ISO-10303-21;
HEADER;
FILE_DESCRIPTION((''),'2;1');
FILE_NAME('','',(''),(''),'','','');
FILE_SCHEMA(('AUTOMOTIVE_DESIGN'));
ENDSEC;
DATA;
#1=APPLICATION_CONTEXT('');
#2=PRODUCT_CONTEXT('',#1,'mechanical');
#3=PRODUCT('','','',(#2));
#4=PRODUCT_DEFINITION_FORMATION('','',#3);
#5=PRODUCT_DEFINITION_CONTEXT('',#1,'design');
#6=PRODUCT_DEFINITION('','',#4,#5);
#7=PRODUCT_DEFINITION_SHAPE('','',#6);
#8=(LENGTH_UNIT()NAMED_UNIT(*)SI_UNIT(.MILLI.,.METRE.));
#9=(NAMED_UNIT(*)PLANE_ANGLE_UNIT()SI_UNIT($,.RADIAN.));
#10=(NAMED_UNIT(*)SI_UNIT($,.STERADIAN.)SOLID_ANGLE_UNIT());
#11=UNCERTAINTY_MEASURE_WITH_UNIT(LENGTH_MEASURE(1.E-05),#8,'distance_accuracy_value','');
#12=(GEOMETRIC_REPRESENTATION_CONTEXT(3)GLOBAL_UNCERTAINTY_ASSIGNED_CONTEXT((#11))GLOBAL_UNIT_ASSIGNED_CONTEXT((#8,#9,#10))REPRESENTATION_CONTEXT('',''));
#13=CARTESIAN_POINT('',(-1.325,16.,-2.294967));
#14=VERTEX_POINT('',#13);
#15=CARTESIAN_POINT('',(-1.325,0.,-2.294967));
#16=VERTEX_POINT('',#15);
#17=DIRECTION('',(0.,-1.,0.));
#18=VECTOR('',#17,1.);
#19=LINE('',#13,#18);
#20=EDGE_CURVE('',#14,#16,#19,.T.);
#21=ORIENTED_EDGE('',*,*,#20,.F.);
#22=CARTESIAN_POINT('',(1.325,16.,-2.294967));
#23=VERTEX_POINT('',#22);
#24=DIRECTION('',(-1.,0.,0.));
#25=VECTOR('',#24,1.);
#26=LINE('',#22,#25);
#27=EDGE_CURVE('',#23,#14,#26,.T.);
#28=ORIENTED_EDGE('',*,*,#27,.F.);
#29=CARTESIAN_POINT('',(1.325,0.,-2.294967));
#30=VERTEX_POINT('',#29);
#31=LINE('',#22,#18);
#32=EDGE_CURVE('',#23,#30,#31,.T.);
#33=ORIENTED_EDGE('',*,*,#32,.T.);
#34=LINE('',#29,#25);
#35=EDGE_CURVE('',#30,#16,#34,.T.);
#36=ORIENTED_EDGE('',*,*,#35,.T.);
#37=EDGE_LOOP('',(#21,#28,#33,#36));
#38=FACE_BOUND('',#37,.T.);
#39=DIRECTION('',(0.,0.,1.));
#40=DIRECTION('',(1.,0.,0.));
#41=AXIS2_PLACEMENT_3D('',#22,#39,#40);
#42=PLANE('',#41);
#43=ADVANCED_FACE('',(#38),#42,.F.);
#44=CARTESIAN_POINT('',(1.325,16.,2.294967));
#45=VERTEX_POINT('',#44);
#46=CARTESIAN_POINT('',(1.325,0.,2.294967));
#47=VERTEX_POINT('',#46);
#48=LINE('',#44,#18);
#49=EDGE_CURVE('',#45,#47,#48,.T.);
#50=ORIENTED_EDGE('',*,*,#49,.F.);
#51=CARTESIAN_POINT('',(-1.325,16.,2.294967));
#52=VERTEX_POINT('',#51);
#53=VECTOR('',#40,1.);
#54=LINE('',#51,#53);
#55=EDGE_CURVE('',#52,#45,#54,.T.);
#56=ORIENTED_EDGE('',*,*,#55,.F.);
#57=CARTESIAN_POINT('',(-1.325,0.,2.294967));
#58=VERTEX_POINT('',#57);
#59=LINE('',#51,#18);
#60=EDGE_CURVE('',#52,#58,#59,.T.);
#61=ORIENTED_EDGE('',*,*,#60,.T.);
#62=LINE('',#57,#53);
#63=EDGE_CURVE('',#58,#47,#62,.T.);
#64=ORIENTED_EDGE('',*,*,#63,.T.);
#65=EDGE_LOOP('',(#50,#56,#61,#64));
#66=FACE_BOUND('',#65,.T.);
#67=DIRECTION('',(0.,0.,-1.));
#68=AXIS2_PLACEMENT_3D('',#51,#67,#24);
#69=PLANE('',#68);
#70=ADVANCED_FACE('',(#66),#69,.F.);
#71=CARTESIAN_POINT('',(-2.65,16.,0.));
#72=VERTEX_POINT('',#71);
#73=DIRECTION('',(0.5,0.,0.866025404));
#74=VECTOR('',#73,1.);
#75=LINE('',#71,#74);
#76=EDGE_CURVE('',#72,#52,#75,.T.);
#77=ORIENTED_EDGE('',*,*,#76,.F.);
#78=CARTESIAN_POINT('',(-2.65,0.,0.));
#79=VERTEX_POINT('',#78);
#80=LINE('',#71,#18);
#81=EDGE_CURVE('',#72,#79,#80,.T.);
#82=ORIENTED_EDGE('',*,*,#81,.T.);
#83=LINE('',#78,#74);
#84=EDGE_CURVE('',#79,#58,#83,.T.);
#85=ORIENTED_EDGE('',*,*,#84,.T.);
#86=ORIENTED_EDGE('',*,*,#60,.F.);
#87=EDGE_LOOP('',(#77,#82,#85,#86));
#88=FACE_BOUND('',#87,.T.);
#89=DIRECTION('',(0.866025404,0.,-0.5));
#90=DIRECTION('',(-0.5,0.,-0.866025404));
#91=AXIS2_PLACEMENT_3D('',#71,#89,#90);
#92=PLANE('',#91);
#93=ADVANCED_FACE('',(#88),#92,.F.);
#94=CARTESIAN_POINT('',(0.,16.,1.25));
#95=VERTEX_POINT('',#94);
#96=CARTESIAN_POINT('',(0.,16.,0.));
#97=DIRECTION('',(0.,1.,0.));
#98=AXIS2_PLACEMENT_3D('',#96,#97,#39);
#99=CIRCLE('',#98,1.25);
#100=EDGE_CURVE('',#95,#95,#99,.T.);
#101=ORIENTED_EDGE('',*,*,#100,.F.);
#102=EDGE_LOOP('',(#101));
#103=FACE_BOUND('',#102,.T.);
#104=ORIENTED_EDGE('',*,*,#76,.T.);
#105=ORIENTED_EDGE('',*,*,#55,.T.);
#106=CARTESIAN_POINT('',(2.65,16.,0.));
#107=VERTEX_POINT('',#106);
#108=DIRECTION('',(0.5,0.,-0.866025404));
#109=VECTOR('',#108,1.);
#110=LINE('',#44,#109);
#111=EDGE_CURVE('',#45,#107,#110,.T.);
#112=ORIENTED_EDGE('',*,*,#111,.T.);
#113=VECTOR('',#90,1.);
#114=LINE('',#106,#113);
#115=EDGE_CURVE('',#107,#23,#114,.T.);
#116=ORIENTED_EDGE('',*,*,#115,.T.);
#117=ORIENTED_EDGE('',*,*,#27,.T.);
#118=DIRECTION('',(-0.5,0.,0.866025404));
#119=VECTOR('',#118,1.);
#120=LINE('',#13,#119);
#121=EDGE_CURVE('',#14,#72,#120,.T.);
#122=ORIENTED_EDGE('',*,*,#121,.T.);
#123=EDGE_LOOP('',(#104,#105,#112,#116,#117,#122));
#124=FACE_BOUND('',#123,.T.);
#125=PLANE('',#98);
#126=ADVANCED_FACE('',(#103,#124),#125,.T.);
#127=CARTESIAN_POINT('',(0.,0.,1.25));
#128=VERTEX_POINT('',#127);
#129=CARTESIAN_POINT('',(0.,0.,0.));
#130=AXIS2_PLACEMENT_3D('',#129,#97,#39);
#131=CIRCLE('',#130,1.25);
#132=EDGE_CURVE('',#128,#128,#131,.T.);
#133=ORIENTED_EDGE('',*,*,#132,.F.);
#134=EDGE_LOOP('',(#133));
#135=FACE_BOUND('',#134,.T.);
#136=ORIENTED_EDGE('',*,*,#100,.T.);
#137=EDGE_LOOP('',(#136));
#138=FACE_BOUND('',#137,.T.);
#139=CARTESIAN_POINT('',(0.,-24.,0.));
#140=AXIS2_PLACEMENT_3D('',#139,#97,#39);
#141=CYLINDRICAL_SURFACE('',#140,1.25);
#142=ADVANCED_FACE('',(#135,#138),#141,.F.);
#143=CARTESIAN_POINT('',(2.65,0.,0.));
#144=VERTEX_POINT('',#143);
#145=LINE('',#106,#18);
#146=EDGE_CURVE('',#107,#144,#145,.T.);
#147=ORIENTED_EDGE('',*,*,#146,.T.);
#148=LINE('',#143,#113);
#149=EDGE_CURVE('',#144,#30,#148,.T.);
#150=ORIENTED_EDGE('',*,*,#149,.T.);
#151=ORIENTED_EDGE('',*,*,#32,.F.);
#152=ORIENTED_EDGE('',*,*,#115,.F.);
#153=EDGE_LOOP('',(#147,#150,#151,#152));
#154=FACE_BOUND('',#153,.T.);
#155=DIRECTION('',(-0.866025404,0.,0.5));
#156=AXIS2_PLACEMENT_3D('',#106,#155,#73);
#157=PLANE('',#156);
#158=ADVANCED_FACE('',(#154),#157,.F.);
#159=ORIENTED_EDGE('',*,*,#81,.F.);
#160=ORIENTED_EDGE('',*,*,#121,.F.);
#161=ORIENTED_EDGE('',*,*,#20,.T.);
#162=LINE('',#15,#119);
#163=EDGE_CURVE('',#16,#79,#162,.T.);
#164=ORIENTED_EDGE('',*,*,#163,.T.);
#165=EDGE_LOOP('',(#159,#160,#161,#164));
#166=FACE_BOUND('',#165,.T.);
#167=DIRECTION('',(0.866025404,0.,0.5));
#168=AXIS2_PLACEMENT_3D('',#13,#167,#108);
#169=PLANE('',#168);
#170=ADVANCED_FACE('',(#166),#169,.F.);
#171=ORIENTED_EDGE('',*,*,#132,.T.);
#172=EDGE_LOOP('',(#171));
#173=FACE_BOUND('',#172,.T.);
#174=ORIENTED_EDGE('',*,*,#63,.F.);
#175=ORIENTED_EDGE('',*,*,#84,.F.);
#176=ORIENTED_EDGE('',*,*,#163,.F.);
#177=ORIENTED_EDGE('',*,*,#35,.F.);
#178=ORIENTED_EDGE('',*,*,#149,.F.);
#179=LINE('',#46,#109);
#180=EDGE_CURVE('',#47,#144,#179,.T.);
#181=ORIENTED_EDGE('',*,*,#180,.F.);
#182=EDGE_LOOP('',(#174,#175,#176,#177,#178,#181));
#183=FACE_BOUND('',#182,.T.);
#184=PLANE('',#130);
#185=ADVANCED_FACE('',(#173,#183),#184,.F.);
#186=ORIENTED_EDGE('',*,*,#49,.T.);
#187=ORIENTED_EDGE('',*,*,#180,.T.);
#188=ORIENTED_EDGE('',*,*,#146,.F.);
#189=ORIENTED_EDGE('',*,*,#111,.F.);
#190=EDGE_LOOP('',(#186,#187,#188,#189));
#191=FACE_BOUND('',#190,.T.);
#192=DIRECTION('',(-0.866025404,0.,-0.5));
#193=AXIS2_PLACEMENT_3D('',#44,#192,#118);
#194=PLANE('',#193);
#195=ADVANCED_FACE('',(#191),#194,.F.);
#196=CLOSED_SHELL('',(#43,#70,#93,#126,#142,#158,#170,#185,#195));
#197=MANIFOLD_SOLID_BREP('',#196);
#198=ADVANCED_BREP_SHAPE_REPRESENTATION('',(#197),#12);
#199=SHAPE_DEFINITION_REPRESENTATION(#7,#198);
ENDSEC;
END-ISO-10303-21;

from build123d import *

# Parameters (mm, degrees)
EXTRUDE_1_DEPTH     = 16
SKETCH_7_R          = 1.25
CUT_EXTRUDE_1_DEPTH = 40


with BuildPart() as part:
    # 草图4 → 凸台-拉伸1 (new body)
    with BuildSketch(Plane(origin=(0, 0, 0), x_dir=(1, 0, 0), z_dir=(0, 1, 0))):
        Polygon((1.325, -2.29496732), (2.65, 0), (1.325, 2.29496732), (-1.325, 2.29496732), (-2.65, 0), (-1.325, -2.29496732), align=None)
    extrude(amount=EXTRUDE_1_DEPTH)

    # 草图7 → 切除-拉伸1 (cut)
    with BuildSketch(Plane(origin=(0, 16, 0), x_dir=(1, 0, 0), z_dir=(0, 1, 0))):
        with Locations(Location((0, 0, 0), (0, 0, 270))):
            Circle(SKETCH_7_R)
    extrude(amount=-CUT_EXTRUDE_1_DEPTH, mode=Mode.SUBTRACT)


solid = part.part
